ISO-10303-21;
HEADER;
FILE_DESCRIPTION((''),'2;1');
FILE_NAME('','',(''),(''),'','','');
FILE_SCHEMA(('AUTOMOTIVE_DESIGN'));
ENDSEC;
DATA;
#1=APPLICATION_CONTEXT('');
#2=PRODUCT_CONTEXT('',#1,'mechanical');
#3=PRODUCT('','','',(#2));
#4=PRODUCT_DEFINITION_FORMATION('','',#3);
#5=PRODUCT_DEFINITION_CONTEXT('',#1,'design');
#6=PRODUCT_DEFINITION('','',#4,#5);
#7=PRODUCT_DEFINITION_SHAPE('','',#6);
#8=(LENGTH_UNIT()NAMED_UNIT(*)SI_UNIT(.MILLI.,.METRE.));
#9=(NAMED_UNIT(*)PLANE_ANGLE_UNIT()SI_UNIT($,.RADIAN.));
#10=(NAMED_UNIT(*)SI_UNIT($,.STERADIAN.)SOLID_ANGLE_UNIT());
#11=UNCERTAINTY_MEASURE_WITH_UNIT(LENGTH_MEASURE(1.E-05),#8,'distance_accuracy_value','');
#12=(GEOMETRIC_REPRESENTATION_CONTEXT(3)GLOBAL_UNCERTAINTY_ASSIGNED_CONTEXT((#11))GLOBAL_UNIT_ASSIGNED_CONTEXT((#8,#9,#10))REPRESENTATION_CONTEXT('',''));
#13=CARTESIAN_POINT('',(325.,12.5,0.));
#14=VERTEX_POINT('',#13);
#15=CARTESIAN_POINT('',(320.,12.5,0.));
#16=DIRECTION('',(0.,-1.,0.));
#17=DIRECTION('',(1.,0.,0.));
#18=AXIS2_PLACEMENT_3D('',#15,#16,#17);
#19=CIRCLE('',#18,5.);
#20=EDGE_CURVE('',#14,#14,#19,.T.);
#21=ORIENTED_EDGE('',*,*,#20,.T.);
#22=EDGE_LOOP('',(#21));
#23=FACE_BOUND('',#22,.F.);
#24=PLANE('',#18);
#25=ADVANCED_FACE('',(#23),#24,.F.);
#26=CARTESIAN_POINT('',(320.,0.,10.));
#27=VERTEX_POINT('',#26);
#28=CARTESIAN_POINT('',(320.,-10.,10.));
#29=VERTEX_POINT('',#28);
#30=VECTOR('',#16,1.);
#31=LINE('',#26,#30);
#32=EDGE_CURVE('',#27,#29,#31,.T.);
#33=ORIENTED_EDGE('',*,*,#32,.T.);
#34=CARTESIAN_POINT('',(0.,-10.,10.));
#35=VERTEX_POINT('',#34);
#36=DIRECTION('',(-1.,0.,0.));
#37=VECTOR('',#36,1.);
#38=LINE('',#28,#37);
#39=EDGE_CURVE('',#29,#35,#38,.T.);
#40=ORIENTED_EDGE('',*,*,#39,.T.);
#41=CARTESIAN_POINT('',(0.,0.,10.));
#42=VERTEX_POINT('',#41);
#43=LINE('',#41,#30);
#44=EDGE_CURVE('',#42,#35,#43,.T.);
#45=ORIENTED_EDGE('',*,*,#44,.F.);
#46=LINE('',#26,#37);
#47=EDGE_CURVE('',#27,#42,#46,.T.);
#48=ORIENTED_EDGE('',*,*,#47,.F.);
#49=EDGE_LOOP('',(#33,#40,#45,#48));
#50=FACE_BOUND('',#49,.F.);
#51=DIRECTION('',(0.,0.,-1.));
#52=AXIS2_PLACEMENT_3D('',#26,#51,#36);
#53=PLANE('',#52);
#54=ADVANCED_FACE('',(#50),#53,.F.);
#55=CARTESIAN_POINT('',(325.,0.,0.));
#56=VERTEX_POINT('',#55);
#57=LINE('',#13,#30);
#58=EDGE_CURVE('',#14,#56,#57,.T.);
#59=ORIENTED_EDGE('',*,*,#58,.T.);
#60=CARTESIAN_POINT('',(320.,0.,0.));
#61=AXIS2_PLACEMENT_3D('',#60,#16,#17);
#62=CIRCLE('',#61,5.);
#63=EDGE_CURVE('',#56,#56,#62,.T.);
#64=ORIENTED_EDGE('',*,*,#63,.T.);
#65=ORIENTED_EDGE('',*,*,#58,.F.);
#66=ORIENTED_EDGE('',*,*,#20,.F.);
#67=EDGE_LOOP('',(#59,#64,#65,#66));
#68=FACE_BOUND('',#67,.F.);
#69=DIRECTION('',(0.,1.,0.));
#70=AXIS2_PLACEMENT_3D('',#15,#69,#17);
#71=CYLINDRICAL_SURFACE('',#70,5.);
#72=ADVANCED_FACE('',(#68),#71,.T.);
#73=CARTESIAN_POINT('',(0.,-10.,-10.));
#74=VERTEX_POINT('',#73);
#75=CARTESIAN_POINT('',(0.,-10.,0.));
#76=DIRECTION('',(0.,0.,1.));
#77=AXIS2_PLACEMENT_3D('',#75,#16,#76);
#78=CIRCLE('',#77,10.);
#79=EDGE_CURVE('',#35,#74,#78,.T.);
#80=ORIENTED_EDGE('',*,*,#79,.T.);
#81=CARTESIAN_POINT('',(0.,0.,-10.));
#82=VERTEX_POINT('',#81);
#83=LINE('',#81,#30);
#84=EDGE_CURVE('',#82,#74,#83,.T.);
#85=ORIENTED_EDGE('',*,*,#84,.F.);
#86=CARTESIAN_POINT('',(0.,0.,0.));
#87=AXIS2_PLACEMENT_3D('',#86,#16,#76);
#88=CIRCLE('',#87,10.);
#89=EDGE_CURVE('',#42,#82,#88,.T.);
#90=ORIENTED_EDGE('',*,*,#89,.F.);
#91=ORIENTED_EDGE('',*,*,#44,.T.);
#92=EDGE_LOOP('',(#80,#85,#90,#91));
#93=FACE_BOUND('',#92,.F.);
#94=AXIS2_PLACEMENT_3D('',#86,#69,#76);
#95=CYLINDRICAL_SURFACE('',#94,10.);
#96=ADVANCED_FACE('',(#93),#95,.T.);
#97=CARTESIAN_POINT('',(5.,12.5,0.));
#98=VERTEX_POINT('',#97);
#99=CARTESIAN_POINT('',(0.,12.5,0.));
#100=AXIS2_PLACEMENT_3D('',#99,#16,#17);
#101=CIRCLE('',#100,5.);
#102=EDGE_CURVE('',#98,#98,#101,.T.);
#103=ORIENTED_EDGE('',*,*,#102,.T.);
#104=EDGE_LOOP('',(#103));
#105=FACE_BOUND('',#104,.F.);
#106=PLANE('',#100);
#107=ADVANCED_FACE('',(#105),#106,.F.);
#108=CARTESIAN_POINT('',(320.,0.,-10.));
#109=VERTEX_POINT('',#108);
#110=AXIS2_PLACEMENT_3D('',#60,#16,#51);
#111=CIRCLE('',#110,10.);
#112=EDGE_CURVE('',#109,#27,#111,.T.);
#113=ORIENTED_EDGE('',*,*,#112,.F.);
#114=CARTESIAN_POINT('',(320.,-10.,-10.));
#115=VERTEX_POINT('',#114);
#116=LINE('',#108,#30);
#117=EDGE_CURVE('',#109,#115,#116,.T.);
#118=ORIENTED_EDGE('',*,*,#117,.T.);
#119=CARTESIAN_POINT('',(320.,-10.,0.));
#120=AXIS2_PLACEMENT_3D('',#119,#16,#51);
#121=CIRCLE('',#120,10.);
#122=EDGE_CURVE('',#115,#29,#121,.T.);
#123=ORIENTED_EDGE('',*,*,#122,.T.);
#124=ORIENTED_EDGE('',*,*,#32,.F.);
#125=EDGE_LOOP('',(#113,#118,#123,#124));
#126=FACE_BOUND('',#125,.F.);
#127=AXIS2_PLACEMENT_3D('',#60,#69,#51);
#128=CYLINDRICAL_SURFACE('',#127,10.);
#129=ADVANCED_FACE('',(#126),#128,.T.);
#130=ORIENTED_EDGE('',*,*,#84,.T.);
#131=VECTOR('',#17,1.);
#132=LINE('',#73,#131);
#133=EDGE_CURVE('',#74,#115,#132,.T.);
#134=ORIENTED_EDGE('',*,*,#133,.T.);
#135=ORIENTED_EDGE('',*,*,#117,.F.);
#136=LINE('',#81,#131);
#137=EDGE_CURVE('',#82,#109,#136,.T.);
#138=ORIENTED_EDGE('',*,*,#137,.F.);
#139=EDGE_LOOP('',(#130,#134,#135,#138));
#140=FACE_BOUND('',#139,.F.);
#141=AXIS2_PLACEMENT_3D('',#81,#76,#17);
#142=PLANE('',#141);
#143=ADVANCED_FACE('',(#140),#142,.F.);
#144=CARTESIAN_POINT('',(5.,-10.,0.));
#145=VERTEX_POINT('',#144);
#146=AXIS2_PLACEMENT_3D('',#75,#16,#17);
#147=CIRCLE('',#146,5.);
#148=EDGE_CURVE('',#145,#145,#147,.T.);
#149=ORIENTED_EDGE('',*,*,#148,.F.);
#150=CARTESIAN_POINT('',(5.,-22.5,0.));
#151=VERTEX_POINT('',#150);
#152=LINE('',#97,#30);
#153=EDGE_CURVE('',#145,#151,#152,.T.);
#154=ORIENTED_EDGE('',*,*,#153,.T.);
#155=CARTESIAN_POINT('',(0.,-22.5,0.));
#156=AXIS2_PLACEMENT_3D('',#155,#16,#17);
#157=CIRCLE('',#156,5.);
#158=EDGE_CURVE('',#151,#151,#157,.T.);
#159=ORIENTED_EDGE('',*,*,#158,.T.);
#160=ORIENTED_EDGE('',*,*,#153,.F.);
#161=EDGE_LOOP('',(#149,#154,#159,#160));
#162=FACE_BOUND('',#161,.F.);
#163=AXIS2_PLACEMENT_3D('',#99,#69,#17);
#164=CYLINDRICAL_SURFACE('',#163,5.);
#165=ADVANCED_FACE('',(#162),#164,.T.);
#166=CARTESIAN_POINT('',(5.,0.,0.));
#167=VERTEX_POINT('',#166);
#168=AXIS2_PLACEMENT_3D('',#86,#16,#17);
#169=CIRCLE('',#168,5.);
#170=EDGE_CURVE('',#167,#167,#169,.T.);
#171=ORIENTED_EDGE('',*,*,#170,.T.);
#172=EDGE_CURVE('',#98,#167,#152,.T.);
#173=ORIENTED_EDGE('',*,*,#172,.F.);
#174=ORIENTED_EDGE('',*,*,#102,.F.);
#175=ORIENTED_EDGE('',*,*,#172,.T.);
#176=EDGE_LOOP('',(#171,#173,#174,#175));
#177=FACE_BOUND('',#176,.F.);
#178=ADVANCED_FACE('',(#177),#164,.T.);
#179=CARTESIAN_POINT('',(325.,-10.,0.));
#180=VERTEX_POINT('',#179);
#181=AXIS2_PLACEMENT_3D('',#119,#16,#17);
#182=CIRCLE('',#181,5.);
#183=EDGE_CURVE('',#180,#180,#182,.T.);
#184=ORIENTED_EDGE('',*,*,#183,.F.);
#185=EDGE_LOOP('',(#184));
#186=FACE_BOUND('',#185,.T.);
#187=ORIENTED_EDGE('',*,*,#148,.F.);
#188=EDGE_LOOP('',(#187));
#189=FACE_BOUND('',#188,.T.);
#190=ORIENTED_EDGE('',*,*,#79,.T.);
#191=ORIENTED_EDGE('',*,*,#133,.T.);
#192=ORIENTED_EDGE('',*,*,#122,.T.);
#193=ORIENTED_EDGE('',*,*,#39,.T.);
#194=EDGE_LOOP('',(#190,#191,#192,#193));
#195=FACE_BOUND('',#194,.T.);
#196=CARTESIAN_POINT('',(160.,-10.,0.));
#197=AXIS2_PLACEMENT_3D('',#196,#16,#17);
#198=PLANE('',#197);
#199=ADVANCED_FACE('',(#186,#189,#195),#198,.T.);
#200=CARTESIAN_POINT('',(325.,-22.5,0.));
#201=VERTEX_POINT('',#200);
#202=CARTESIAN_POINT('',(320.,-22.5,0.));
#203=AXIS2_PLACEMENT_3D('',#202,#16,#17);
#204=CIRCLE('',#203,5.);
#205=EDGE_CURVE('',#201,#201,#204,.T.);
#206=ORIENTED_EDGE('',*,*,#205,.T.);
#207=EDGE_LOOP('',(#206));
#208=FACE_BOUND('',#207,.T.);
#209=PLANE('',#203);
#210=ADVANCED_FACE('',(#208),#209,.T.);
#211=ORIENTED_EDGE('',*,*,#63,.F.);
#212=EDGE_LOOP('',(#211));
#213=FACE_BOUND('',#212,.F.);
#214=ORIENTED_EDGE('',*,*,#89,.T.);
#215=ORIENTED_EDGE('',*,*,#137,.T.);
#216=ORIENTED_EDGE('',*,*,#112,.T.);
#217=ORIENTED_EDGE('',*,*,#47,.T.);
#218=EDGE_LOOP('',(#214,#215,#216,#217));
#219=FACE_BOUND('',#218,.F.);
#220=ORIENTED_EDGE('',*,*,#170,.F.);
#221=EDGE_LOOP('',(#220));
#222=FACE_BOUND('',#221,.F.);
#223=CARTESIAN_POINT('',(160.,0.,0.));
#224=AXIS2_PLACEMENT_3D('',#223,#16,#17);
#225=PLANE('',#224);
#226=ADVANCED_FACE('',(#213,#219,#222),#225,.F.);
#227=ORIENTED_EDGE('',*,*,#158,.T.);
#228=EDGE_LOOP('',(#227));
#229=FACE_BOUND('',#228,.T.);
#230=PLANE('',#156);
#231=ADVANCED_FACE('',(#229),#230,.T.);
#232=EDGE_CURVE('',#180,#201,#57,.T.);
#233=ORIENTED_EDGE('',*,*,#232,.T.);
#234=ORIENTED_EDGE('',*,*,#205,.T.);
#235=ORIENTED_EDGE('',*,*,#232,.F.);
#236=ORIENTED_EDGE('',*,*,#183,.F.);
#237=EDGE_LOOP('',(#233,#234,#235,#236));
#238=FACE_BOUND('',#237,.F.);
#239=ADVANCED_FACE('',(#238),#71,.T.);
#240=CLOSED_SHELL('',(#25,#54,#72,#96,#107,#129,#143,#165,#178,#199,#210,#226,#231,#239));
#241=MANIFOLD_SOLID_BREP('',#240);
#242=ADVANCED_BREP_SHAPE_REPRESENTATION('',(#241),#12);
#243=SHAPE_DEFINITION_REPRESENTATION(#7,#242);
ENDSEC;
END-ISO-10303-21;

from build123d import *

# Parameters (mm, degrees)
F0_R     = 5
F1_DEPTH = 10
F3_R     = 5
F4_DEPTH = 35


with BuildPart() as f1:
    # F0 (on Front) → F1 (new body)
    with BuildSketch(Plane.XZ):
        with BuildLine():
            Line((320, 10), (0, 10))
            ThreePointArc((0, 10), (-10, 0), (0, -10))
            Line((0, -10), (320, -10))
            ThreePointArc((320, -10), (330, 0), (320, 10))
        make_face()
        Circle(F0_R, mode=Mode.SUBTRACT)
        with Locations((320, 0)):
            Circle(F0_R, mode=Mode.SUBTRACT)
    extrude(amount=F1_DEPTH)

    # F3 (on offset) → F4 (join)
    with BuildSketch(Plane.XZ.offset(-12.5)):
        Circle(F3_R)
        with Locations((320, 0)):
            Circle(F3_R)
    extrude(amount=F4_DEPTH)


solid = f1.part
